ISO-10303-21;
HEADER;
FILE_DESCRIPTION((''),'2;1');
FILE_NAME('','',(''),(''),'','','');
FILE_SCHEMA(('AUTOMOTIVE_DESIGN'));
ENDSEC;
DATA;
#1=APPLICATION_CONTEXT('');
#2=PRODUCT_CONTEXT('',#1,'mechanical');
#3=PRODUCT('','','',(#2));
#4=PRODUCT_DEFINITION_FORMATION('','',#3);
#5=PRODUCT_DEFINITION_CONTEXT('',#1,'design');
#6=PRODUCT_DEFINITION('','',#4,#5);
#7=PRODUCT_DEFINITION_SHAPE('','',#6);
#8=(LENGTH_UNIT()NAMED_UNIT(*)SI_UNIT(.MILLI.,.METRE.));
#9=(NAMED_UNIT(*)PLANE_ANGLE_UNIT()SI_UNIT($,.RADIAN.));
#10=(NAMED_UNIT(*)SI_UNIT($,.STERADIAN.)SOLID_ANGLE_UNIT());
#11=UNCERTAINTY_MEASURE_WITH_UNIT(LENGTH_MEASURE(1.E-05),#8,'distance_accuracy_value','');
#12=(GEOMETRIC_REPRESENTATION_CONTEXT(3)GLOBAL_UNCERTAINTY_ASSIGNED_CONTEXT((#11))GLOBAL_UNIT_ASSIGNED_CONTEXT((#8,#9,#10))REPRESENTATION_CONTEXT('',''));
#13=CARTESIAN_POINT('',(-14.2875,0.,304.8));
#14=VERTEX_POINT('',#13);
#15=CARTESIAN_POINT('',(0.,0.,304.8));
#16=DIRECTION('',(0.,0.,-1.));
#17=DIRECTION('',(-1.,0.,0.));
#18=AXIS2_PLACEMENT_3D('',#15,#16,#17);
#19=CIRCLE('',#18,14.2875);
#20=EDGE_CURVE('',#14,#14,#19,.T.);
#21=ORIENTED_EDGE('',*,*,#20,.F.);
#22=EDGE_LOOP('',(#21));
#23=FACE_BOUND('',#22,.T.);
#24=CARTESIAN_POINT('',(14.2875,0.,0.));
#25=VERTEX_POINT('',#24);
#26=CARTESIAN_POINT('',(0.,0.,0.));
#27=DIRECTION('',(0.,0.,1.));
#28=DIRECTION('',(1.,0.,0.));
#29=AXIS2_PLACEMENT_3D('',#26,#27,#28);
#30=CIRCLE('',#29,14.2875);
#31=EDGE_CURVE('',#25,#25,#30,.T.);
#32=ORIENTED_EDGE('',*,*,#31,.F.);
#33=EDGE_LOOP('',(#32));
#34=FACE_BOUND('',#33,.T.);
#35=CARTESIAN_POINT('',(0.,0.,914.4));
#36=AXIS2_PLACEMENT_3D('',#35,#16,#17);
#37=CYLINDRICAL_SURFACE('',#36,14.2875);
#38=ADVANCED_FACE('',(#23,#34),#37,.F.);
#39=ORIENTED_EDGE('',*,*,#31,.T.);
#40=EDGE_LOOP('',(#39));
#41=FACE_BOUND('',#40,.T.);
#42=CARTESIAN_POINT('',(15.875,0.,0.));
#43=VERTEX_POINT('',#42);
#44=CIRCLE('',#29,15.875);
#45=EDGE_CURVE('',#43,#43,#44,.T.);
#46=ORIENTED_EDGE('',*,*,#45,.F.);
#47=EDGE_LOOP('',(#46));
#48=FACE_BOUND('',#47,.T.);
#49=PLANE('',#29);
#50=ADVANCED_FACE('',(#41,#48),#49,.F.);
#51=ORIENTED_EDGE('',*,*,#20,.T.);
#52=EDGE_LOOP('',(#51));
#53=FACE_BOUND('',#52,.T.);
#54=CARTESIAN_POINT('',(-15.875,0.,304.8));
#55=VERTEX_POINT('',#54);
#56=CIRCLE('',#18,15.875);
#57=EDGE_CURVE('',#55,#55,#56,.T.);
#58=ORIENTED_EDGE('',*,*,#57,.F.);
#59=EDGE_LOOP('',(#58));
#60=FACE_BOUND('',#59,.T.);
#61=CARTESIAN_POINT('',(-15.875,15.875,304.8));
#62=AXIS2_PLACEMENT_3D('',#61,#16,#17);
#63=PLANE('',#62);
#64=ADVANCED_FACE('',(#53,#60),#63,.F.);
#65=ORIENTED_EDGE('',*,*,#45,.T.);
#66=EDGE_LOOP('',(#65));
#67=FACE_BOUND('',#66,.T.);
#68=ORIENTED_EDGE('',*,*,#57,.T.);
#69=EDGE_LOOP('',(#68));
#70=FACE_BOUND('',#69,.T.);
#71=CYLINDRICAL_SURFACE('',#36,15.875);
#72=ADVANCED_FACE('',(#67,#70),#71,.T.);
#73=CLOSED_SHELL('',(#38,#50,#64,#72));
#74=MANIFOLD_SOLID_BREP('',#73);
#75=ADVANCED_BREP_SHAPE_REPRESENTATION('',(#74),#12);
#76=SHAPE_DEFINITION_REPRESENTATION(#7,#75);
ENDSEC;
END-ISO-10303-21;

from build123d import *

# Parameters (mm, degrees)
SKETCH1_R               = 15.875
SKETCH1_R_2             = 14.2875
BOSS_EXTRUDE1_DEPTH     = 914.4
CUT_EXTRUDE1_DEPTH      = 915.675566116
CUT_EXTRUDE1_DEPTH_BACK = 915.675566116
SKETCH2_W               = 609.6
SKETCH2_H               = 31.75


with BuildPart() as part:
    # Sketch1 → Boss-Extrude1 (new body)
    with BuildSketch(Plane.XY):
        Circle(SKETCH1_R)
        Circle(SKETCH1_R_2, mode=Mode.SUBTRACT)
    extrude(amount=BOSS_EXTRUDE1_DEPTH)

    # Sketch2 → Cut-Extrude1 (cut, two sides: drawn at the far end of the back side and taken through both)
    with BuildSketch(Plane(origin=(0, 0, 0), x_dir=(0, 0, -1), z_dir=(1, 0, 0)).offset(-CUT_EXTRUDE1_DEPTH_BACK)):
        with Locations((-609.6, 0)):
            Rectangle(SKETCH2_W, SKETCH2_H)
    extrude(amount=CUT_EXTRUDE1_DEPTH + CUT_EXTRUDE1_DEPTH_BACK, mode=Mode.SUBTRACT)


solid = part.part
